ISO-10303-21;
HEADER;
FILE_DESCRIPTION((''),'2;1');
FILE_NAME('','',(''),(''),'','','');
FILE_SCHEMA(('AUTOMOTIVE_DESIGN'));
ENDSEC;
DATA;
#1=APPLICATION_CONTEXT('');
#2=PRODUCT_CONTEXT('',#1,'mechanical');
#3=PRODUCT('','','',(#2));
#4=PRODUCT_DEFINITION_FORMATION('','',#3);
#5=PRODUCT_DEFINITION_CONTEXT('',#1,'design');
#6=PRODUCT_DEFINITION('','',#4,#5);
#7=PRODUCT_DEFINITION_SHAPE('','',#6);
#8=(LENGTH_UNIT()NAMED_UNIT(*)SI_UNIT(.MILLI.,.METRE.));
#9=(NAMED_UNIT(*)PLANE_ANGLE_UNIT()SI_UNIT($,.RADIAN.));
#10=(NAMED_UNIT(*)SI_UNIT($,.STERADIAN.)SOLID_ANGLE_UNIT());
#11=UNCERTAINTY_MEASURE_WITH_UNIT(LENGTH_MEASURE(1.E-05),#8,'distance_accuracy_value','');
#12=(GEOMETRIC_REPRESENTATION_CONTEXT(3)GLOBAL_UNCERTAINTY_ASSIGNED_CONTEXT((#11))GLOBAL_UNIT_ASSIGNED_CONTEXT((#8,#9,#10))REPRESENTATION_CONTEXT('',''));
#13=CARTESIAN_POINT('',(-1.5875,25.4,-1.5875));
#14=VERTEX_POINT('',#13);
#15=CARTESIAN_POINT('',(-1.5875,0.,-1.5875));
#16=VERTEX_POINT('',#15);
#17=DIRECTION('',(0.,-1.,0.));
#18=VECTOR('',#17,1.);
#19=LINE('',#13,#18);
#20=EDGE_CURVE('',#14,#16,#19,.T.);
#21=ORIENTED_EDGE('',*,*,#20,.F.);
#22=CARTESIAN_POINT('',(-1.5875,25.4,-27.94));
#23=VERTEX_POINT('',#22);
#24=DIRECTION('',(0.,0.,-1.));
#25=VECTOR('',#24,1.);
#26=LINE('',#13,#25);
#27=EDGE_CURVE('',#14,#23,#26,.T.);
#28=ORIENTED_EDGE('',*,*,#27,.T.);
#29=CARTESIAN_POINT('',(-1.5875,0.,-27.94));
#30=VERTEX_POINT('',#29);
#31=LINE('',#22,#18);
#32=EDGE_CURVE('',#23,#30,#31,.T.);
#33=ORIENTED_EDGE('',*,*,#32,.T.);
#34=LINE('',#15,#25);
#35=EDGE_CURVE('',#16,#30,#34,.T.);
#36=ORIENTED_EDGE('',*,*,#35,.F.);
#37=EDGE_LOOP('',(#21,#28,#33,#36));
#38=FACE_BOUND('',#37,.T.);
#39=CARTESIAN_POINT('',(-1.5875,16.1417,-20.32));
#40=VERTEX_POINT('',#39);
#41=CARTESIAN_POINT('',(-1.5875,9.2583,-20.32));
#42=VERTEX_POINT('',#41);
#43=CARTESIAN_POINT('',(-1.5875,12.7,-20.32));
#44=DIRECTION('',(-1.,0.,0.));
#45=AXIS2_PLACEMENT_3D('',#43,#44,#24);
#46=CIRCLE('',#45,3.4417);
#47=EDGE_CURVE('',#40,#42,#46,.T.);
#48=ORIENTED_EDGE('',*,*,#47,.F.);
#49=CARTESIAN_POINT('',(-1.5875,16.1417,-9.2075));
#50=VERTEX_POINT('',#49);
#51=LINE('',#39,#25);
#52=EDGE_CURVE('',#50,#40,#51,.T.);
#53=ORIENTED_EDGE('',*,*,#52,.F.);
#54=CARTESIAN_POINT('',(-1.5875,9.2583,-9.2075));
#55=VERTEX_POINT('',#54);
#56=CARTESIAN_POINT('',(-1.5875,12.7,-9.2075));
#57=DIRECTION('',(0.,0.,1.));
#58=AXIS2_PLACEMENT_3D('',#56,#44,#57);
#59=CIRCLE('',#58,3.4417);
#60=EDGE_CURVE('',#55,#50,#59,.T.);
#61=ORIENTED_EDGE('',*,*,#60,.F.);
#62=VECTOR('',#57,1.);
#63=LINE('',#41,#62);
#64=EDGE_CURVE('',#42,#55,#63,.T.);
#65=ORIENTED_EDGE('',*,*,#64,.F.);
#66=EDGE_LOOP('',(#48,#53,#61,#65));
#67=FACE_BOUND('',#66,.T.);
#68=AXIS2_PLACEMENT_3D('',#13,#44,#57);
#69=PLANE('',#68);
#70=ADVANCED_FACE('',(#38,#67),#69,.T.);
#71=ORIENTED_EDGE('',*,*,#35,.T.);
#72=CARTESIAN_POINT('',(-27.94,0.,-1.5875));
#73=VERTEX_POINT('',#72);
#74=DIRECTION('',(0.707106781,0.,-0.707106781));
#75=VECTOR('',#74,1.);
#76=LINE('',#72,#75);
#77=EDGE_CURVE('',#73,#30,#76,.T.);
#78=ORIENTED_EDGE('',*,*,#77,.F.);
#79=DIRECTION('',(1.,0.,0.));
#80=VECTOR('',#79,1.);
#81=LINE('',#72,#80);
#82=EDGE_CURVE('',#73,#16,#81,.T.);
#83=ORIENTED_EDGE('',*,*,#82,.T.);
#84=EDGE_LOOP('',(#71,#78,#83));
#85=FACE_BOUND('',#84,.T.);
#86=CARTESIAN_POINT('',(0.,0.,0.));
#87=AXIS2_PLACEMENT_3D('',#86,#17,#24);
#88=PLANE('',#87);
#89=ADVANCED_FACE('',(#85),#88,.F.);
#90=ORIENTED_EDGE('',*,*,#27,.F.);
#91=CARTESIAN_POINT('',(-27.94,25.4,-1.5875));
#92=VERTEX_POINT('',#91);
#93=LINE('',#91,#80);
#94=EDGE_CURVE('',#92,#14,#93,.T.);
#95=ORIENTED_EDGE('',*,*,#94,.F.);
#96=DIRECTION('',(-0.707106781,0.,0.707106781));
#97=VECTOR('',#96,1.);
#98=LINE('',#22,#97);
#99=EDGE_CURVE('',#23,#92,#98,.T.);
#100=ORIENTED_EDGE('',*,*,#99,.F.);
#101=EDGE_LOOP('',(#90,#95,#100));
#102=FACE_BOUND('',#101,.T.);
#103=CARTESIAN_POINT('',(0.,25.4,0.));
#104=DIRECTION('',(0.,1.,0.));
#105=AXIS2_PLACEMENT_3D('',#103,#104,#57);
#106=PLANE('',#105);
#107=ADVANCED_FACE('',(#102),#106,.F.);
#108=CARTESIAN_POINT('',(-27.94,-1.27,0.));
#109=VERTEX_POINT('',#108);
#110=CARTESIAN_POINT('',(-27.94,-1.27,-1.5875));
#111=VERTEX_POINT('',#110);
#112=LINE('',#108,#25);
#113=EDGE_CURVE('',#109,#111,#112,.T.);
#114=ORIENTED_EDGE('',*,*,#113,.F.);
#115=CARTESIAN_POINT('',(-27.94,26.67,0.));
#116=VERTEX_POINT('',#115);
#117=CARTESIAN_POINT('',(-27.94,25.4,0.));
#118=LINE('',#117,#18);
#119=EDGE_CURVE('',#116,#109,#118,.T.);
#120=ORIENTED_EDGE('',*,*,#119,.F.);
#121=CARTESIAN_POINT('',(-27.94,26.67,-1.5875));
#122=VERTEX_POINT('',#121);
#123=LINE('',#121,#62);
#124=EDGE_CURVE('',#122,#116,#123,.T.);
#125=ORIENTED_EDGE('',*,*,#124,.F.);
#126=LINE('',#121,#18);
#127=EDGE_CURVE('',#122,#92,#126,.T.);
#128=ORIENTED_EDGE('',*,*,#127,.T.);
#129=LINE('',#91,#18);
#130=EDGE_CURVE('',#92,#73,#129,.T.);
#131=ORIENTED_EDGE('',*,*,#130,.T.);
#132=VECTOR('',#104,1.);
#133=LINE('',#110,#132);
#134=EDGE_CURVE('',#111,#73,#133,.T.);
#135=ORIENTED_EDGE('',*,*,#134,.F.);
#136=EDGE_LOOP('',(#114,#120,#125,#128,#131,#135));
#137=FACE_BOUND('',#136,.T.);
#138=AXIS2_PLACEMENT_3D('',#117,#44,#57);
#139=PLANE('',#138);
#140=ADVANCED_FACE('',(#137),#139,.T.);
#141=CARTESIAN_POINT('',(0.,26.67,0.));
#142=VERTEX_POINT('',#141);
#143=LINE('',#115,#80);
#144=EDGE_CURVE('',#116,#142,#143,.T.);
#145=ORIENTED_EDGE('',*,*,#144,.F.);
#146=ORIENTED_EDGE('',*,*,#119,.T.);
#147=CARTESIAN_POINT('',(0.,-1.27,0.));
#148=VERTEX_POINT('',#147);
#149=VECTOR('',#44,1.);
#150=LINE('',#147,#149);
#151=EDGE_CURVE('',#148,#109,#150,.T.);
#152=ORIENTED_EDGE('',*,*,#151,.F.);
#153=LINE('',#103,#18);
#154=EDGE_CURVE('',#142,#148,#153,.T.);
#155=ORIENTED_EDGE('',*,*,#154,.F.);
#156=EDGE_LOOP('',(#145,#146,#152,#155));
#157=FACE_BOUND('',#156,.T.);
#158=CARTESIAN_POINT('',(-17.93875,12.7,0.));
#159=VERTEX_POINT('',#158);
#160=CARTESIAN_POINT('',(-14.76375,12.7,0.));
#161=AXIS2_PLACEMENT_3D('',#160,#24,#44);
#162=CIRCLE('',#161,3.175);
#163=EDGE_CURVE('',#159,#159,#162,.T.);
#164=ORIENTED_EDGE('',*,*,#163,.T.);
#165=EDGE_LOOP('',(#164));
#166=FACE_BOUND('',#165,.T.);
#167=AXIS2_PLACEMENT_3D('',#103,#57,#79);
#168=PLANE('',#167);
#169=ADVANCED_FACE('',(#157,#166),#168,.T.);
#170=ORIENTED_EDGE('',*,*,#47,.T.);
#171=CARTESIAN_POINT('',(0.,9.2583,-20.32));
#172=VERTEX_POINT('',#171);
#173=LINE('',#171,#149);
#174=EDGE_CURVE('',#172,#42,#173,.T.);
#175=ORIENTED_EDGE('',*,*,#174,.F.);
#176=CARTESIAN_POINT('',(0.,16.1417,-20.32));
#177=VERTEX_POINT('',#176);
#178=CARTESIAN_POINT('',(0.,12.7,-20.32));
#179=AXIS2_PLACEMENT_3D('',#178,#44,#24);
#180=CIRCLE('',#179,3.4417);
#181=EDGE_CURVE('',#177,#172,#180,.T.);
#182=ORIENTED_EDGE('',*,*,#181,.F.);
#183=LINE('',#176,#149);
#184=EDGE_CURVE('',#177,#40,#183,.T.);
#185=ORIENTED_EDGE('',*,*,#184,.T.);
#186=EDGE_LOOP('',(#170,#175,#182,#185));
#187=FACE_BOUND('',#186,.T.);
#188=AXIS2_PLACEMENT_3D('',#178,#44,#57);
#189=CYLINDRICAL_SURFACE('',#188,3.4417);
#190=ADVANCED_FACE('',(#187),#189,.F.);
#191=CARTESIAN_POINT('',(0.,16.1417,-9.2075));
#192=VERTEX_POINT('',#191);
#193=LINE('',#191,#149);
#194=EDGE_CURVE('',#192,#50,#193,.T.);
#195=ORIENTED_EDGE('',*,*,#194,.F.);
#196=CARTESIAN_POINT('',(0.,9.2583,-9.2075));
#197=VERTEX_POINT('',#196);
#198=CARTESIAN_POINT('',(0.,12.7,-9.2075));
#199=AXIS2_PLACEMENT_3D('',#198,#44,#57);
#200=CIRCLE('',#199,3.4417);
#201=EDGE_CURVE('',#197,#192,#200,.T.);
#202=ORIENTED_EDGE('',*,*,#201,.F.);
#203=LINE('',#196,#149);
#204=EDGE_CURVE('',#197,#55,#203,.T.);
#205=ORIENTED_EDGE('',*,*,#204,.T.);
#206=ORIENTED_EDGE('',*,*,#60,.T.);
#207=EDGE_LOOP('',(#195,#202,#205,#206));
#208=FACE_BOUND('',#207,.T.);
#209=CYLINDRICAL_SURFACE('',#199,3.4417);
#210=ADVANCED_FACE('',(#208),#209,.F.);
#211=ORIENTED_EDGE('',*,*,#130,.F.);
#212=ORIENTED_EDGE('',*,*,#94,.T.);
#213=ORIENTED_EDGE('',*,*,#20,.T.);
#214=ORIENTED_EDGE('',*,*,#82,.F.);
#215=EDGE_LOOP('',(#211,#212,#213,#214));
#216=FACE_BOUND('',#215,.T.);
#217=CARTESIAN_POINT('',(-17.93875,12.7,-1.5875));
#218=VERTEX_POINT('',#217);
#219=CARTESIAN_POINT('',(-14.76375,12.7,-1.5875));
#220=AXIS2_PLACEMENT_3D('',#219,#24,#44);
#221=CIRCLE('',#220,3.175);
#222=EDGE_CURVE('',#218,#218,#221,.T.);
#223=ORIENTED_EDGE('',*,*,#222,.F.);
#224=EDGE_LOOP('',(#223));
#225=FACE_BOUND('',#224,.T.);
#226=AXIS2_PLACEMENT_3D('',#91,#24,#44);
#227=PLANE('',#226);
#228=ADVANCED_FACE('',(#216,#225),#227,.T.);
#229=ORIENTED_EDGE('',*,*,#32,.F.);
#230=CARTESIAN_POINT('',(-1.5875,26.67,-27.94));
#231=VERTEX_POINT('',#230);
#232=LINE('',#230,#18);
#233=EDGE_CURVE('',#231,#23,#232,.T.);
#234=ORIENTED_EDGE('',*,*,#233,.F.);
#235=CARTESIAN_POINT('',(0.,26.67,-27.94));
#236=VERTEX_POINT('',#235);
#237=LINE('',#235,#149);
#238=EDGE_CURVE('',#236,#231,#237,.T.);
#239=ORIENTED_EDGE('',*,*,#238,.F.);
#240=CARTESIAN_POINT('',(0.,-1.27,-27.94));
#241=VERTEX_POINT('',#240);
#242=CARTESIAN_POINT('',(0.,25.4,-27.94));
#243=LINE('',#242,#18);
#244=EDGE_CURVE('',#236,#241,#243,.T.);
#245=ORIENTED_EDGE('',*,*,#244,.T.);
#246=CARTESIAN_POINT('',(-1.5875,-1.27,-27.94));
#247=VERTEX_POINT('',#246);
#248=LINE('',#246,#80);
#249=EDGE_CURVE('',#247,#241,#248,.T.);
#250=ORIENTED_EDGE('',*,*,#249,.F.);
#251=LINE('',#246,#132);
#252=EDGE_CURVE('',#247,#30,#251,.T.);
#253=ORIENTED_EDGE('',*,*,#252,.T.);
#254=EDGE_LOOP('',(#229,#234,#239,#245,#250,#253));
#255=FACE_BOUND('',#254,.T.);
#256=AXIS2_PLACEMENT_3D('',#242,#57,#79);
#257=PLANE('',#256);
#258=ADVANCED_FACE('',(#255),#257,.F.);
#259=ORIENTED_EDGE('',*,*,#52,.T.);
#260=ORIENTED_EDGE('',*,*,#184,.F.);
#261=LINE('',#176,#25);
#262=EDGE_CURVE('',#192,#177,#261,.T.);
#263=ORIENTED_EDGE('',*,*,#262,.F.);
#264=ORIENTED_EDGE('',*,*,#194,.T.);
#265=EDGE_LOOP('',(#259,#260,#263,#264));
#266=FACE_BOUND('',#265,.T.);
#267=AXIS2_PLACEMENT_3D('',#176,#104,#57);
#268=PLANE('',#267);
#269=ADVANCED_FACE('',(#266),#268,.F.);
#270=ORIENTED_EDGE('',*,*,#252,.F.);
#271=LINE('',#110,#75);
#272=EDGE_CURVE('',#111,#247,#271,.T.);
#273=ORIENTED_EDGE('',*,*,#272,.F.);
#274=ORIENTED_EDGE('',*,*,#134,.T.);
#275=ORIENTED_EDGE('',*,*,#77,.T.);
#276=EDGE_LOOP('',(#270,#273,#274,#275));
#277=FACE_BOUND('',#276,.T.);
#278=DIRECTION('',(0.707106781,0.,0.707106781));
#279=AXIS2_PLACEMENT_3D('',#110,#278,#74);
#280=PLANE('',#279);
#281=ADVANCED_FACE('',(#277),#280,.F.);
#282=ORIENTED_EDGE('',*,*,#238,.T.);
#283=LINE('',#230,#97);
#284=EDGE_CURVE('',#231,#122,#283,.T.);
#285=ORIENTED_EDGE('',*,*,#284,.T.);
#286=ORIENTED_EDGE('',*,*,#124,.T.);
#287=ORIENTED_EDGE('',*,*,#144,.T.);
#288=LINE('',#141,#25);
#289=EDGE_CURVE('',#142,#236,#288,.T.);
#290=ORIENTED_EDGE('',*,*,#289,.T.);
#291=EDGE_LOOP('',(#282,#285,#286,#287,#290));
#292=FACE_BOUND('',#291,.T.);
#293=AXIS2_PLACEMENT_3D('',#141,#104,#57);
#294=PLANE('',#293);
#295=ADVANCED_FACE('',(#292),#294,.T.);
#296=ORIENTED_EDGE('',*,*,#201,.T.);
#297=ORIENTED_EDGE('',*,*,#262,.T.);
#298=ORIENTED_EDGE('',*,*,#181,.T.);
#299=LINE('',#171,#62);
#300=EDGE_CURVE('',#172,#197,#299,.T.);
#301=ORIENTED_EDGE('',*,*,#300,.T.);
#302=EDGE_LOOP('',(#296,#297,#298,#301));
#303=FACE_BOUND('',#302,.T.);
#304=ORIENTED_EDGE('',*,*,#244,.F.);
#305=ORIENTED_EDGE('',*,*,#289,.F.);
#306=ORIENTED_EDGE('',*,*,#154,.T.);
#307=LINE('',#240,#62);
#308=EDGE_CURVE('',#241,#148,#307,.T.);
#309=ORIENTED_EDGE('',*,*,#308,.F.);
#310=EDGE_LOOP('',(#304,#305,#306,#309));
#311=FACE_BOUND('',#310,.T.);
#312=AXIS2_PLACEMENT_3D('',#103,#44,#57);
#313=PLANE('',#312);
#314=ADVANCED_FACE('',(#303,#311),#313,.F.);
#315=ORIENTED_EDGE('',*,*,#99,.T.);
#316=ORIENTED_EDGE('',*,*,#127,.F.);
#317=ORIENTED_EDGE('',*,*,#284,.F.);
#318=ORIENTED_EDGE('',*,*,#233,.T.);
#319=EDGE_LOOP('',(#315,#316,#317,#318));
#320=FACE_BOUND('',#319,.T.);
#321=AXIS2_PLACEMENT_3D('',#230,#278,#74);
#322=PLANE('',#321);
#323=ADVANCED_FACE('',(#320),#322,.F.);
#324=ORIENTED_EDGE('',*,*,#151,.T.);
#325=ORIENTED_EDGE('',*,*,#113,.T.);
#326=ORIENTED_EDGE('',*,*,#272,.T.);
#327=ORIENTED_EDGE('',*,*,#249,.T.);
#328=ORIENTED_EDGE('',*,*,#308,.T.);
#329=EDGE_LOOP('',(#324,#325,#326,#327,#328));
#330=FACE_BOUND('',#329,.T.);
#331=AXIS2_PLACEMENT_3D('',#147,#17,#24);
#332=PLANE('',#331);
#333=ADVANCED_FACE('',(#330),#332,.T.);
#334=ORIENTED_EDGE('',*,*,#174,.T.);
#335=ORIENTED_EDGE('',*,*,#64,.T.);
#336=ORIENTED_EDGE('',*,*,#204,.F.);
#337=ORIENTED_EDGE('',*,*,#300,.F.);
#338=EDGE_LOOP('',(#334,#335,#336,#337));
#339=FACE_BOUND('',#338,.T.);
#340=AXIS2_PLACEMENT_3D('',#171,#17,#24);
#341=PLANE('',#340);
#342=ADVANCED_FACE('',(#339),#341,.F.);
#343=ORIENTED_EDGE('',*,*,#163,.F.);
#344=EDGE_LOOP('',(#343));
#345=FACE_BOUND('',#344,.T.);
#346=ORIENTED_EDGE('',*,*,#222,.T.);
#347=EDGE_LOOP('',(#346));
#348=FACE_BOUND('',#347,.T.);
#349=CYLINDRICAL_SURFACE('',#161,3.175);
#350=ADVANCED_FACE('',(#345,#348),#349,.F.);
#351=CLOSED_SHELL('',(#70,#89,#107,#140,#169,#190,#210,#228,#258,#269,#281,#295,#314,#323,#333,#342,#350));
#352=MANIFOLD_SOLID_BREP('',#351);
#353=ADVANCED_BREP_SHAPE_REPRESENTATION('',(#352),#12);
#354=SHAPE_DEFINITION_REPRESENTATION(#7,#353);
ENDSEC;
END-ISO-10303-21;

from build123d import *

# Parameters (mm, degrees)
BOSS_EXTRUDE1_DEPTH = 25.4
BOSS_EXTRUDE2_DEPTH = 1.27
BOSS_EXTRUDE3_DEPTH = 1.27
CUT_EXTRUDE1_DEPTH  = 47.758814744
SKETCH5_R           = 3.175
CUT_EXTRUDE2_DEPTH  = 47.758814744


with BuildPart() as part:
    # Sketch1 → Boss-Extrude1 (new body)
    with BuildSketch(Plane(origin=(0, 0, 0), x_dir=(1, 0, 0), z_dir=(0, 1, 0))):
        Polygon((-27.94, 1.5875), (-1.5875, 1.5875), (-1.5875, 27.94), (0, 27.94), (0, 0), (-27.94, 0), align=None)
    extrude(amount=BOSS_EXTRUDE1_DEPTH)

    # Sketch2 → Boss-Extrude2 (add)
    with BuildSketch(Plane(origin=(0, 25.4, 0), x_dir=(1, 0, 0), z_dir=(0, 1, 0))):
        Polygon((-1.5875, 27.94), (-27.94, 1.5875), (-27.94, 0), (0, 0), (0, 27.94), align=None)
    extrude(amount=BOSS_EXTRUDE2_DEPTH)

    # Sketch3 → Boss-Extrude3 (add)
    with BuildSketch(Plane.XZ):
        Polygon((-27.94, -1.5875), (-1.5875, -27.94), (0, -27.94), (0, 0), (-27.94, 0), align=None)
    extrude(amount=BOSS_EXTRUDE3_DEPTH)

    # Sketch4 → Cut-Extrude1 (cut, through all)
    with BuildSketch(Plane.ZY.offset(1.5875)):
        with BuildLine():
            Line((-20.32, 9.2583), (-9.2075, 9.2583))
            ThreePointArc((-9.2075, 9.2583), (-5.7658, 12.7), (-9.2075, 16.1417))
            Line((-9.2075, 16.1417), (-20.32, 16.1417))
            ThreePointArc((-20.32, 16.1417), (-23.7617, 12.7), (-20.32, 9.2583))
        make_face()
    extrude(amount=-CUT_EXTRUDE1_DEPTH, mode=Mode.SUBTRACT)

    # Sketch5 → Cut-Extrude2 (cut, through all)
    with BuildSketch(Plane(origin=(0, 0, -1.5875), x_dir=(-1, 0, 0), z_dir=(0, 0, -1))):
        with Locations((14.76375, 12.7)):
            Circle(SKETCH5_R)
    extrude(amount=-CUT_EXTRUDE2_DEPTH, mode=Mode.SUBTRACT)


solid = part.part
